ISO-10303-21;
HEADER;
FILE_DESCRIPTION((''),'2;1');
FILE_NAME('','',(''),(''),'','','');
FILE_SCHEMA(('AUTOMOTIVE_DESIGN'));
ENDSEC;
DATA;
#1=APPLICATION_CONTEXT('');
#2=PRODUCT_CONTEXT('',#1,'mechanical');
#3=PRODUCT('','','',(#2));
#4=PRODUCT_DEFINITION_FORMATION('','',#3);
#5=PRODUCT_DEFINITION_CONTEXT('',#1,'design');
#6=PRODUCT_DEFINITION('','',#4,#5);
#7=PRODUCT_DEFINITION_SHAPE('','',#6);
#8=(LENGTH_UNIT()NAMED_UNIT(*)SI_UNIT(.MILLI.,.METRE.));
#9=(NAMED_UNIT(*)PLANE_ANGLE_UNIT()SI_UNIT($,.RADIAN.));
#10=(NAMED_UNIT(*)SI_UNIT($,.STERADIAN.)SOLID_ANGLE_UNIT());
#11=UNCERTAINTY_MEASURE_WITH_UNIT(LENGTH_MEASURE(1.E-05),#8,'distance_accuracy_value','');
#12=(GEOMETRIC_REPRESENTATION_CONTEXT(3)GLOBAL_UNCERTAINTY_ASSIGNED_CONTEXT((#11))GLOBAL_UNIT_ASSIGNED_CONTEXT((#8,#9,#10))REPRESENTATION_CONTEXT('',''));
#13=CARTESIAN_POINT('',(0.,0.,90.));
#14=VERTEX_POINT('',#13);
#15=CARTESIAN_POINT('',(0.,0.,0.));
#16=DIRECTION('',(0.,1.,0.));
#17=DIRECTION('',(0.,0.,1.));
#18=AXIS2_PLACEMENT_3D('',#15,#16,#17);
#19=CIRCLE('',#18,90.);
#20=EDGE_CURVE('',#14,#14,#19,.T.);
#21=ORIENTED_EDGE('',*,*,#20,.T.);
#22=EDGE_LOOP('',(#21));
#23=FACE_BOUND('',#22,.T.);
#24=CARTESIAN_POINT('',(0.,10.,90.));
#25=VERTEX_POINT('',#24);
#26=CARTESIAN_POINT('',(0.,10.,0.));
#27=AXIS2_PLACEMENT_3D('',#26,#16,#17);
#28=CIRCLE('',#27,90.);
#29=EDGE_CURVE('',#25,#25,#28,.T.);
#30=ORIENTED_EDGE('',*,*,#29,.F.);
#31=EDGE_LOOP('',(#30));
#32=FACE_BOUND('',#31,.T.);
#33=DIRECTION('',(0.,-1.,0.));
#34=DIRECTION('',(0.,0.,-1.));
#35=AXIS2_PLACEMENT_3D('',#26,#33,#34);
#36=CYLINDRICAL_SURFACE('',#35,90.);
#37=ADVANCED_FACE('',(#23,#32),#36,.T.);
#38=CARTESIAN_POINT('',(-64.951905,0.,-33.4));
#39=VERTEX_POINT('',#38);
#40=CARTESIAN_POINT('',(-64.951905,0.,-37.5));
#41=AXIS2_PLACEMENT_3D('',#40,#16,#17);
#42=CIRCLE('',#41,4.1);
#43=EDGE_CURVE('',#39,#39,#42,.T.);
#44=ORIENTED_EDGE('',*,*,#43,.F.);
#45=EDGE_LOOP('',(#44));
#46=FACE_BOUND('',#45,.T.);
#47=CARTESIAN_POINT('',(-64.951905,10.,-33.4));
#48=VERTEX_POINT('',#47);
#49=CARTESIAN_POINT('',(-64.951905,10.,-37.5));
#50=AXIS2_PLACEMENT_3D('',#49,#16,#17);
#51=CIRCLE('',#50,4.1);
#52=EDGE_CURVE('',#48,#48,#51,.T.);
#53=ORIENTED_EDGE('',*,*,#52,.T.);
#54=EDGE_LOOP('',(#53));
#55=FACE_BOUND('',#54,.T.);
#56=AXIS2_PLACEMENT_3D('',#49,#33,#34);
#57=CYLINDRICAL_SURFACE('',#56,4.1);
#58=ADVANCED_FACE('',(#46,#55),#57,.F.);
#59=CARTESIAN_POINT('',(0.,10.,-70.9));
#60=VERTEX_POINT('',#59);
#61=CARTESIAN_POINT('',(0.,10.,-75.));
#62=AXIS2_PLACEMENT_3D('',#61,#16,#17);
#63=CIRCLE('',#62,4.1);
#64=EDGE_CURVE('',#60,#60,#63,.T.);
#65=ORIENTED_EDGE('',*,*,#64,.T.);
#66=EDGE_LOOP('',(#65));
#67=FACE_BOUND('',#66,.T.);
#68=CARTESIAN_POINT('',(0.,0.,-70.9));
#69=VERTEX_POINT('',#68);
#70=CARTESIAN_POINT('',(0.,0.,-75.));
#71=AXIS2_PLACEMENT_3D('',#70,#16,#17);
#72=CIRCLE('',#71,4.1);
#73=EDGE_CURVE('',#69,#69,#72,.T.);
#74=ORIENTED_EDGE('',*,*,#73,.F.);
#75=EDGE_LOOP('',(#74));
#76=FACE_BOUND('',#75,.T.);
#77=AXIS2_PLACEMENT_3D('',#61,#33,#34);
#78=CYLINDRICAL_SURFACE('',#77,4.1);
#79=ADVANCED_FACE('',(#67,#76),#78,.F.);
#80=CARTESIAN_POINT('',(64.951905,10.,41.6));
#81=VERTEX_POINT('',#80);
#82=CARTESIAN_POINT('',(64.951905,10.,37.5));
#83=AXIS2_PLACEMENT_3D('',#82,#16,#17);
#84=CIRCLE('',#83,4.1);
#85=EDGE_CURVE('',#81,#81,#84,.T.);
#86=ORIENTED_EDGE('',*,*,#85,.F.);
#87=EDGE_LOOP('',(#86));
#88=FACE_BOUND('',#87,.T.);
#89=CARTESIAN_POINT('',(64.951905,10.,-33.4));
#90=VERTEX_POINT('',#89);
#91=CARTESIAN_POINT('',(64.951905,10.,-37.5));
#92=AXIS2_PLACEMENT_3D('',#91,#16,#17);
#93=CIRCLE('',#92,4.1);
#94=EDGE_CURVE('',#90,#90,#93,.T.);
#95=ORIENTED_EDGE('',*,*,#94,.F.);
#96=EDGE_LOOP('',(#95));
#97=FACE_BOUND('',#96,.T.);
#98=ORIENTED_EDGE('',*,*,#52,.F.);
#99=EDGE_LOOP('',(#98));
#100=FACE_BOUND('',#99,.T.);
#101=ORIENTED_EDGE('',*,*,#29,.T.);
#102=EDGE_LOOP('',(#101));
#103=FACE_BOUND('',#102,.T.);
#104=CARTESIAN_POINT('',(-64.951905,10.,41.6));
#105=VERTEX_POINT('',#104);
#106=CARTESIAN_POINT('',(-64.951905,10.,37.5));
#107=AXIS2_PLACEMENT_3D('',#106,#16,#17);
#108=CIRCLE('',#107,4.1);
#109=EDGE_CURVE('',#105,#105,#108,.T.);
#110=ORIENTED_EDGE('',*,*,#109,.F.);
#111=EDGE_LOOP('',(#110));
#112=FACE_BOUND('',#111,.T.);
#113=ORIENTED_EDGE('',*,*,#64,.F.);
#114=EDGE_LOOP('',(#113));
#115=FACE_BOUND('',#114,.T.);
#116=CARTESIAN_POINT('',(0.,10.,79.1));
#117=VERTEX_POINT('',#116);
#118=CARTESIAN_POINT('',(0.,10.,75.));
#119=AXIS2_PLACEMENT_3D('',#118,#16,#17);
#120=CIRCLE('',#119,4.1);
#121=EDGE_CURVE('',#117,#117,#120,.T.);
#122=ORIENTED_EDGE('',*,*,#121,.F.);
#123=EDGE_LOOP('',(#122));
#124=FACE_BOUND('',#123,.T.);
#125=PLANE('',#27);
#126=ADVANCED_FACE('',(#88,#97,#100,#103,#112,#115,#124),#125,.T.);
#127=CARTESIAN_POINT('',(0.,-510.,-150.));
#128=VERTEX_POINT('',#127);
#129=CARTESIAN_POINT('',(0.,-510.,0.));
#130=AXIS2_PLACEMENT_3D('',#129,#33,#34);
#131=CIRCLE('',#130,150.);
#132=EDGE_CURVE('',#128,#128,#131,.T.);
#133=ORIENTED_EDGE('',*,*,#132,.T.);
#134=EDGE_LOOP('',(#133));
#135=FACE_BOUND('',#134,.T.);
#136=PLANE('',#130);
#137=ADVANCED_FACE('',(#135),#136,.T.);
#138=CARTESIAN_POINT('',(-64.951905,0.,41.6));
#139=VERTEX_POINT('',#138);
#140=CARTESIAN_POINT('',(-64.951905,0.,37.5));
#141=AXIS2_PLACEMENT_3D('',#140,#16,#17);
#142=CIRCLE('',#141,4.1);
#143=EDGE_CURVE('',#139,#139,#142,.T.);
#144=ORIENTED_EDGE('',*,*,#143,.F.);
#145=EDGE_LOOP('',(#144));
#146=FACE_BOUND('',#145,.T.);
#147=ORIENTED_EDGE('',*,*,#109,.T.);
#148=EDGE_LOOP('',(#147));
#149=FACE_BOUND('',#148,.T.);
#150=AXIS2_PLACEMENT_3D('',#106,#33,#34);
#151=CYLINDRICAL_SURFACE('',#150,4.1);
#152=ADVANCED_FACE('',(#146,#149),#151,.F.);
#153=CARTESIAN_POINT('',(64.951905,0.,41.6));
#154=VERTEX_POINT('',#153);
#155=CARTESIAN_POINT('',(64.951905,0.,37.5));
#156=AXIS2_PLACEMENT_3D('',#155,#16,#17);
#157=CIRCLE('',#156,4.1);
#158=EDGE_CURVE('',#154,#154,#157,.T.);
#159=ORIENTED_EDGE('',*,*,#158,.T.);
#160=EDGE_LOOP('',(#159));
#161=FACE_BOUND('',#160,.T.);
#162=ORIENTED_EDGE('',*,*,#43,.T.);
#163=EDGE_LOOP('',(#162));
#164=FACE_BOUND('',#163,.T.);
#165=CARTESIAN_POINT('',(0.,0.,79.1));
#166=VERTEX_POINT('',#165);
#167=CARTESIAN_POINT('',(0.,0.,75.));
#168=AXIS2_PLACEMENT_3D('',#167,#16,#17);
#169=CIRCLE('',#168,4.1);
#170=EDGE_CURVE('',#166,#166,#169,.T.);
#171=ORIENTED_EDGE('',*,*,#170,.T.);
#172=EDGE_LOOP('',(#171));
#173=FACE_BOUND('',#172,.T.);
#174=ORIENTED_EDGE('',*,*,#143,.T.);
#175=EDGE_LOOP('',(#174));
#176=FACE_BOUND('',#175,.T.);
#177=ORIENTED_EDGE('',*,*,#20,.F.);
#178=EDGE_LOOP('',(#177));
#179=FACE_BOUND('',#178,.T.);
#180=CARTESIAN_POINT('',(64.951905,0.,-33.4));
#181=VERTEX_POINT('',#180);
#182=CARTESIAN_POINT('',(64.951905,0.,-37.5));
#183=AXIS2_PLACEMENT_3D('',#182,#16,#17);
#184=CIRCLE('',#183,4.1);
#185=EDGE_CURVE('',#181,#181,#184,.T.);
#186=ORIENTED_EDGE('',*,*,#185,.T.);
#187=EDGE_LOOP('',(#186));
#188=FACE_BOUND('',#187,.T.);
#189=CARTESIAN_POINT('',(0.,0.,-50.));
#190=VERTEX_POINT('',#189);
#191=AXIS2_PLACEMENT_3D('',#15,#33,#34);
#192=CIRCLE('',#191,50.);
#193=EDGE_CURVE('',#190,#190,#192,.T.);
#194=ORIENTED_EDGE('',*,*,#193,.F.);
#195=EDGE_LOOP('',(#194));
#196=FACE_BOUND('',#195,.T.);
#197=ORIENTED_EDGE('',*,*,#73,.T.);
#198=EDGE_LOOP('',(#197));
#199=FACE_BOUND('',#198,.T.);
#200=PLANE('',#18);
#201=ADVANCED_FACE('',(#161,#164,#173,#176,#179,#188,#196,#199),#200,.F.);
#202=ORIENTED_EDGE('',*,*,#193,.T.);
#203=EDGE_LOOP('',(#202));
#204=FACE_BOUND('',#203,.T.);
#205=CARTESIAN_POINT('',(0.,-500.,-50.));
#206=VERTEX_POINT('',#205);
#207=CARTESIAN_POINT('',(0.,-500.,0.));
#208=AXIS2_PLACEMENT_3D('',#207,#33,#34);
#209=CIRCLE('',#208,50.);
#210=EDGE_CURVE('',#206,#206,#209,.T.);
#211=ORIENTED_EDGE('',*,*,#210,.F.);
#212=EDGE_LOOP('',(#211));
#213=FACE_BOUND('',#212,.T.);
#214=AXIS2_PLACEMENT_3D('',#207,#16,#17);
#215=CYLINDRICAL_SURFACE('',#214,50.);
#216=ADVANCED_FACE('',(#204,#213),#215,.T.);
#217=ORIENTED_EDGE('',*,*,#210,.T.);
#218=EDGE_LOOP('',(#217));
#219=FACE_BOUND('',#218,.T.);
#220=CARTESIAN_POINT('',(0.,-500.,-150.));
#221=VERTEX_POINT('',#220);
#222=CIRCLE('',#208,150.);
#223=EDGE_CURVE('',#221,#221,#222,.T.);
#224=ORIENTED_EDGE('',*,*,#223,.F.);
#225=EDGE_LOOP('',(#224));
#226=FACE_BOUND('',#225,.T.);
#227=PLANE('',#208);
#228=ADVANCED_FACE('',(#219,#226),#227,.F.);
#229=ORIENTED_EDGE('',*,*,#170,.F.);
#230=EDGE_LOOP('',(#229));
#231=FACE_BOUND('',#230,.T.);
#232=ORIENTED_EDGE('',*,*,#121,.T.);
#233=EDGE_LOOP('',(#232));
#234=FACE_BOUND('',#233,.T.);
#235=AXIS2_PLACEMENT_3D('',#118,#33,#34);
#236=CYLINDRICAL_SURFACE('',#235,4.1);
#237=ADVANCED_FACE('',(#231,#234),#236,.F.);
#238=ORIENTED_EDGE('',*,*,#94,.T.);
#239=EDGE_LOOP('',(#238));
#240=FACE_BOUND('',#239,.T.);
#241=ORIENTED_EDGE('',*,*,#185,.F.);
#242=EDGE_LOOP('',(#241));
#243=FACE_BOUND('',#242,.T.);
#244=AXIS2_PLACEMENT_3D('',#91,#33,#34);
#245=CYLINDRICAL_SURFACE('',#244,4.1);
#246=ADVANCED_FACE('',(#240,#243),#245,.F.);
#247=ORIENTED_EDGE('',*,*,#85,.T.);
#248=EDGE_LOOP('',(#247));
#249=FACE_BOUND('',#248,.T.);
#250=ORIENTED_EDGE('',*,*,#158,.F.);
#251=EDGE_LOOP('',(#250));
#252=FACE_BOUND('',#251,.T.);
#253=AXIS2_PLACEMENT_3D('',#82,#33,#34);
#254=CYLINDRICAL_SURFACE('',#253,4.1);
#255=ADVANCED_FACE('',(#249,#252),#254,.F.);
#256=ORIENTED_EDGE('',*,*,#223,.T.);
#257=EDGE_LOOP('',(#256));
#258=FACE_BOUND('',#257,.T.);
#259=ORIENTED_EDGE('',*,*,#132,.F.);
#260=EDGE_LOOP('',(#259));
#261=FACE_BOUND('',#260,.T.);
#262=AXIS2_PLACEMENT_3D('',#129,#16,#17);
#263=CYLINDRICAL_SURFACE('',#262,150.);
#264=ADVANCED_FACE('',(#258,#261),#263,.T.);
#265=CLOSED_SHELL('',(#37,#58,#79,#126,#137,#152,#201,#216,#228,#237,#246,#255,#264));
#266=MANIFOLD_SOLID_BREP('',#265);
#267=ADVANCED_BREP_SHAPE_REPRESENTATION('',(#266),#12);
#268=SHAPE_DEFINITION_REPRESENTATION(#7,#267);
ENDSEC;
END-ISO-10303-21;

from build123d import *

# Parameters (mm, degrees)
SKETCH_1_R      = 90
SKETCH_1_R_2    = 4.1
EXTRUDE_1_DEPTH = 10
SKETCH_2_R      = 50
EXTRUDE_2_DEPTH = 500
SKETCH_3_R      = 150
EXTRUDE_3_DEPTH = 10


with BuildPart() as part:
    # 草图1 → 凸台-拉伸1 (new body)
    with BuildSketch(Plane(origin=(0, 0, 0), x_dir=(1, 0, 0), z_dir=(0, 1, 0))):
        with Locations(Location((0, 0, 0), (0, 0, 270))):
            Circle(SKETCH_1_R)
        with Locations(Location((0, -75, 0), (0, 0, 270))):
            Circle(SKETCH_1_R_2, mode=Mode.SUBTRACT)
        with Locations(Location((-64.951905284, -37.5, 0), (0, 0, 270))):
            Circle(SKETCH_1_R_2, mode=Mode.SUBTRACT)
        with Locations(Location((-64.951905284, 37.5, 0), (0, 0, 270))):
            Circle(SKETCH_1_R_2, mode=Mode.SUBTRACT)
        with Locations(Location((0, 75, 0), (0, 0, 270))):
            Circle(SKETCH_1_R_2, mode=Mode.SUBTRACT)
        with Locations(Location((64.951905284, 37.5, 0), (0, 0, 270))):
            Circle(SKETCH_1_R_2, mode=Mode.SUBTRACT)
        with Locations(Location((64.951905284, -37.5, 0), (0, 0, 270))):
            Circle(SKETCH_1_R_2, mode=Mode.SUBTRACT)
    extrude(amount=EXTRUDE_1_DEPTH)

    # 草图2 → 凸台-拉伸2 (add)
    with BuildSketch(Plane.XZ):
        with Locations(Location((0, 0, 0), (0, 0, 270))):
            Circle(SKETCH_2_R)
    extrude(amount=EXTRUDE_2_DEPTH)

    # 草图3 → 凸台-拉伸3 (add)
    with BuildSketch(Plane.XZ.offset(500)):
        with Locations(Location((0, 0, 0), (0, 0, 270))):
            Circle(SKETCH_3_R)
    extrude(amount=EXTRUDE_3_DEPTH)


solid = part.part
